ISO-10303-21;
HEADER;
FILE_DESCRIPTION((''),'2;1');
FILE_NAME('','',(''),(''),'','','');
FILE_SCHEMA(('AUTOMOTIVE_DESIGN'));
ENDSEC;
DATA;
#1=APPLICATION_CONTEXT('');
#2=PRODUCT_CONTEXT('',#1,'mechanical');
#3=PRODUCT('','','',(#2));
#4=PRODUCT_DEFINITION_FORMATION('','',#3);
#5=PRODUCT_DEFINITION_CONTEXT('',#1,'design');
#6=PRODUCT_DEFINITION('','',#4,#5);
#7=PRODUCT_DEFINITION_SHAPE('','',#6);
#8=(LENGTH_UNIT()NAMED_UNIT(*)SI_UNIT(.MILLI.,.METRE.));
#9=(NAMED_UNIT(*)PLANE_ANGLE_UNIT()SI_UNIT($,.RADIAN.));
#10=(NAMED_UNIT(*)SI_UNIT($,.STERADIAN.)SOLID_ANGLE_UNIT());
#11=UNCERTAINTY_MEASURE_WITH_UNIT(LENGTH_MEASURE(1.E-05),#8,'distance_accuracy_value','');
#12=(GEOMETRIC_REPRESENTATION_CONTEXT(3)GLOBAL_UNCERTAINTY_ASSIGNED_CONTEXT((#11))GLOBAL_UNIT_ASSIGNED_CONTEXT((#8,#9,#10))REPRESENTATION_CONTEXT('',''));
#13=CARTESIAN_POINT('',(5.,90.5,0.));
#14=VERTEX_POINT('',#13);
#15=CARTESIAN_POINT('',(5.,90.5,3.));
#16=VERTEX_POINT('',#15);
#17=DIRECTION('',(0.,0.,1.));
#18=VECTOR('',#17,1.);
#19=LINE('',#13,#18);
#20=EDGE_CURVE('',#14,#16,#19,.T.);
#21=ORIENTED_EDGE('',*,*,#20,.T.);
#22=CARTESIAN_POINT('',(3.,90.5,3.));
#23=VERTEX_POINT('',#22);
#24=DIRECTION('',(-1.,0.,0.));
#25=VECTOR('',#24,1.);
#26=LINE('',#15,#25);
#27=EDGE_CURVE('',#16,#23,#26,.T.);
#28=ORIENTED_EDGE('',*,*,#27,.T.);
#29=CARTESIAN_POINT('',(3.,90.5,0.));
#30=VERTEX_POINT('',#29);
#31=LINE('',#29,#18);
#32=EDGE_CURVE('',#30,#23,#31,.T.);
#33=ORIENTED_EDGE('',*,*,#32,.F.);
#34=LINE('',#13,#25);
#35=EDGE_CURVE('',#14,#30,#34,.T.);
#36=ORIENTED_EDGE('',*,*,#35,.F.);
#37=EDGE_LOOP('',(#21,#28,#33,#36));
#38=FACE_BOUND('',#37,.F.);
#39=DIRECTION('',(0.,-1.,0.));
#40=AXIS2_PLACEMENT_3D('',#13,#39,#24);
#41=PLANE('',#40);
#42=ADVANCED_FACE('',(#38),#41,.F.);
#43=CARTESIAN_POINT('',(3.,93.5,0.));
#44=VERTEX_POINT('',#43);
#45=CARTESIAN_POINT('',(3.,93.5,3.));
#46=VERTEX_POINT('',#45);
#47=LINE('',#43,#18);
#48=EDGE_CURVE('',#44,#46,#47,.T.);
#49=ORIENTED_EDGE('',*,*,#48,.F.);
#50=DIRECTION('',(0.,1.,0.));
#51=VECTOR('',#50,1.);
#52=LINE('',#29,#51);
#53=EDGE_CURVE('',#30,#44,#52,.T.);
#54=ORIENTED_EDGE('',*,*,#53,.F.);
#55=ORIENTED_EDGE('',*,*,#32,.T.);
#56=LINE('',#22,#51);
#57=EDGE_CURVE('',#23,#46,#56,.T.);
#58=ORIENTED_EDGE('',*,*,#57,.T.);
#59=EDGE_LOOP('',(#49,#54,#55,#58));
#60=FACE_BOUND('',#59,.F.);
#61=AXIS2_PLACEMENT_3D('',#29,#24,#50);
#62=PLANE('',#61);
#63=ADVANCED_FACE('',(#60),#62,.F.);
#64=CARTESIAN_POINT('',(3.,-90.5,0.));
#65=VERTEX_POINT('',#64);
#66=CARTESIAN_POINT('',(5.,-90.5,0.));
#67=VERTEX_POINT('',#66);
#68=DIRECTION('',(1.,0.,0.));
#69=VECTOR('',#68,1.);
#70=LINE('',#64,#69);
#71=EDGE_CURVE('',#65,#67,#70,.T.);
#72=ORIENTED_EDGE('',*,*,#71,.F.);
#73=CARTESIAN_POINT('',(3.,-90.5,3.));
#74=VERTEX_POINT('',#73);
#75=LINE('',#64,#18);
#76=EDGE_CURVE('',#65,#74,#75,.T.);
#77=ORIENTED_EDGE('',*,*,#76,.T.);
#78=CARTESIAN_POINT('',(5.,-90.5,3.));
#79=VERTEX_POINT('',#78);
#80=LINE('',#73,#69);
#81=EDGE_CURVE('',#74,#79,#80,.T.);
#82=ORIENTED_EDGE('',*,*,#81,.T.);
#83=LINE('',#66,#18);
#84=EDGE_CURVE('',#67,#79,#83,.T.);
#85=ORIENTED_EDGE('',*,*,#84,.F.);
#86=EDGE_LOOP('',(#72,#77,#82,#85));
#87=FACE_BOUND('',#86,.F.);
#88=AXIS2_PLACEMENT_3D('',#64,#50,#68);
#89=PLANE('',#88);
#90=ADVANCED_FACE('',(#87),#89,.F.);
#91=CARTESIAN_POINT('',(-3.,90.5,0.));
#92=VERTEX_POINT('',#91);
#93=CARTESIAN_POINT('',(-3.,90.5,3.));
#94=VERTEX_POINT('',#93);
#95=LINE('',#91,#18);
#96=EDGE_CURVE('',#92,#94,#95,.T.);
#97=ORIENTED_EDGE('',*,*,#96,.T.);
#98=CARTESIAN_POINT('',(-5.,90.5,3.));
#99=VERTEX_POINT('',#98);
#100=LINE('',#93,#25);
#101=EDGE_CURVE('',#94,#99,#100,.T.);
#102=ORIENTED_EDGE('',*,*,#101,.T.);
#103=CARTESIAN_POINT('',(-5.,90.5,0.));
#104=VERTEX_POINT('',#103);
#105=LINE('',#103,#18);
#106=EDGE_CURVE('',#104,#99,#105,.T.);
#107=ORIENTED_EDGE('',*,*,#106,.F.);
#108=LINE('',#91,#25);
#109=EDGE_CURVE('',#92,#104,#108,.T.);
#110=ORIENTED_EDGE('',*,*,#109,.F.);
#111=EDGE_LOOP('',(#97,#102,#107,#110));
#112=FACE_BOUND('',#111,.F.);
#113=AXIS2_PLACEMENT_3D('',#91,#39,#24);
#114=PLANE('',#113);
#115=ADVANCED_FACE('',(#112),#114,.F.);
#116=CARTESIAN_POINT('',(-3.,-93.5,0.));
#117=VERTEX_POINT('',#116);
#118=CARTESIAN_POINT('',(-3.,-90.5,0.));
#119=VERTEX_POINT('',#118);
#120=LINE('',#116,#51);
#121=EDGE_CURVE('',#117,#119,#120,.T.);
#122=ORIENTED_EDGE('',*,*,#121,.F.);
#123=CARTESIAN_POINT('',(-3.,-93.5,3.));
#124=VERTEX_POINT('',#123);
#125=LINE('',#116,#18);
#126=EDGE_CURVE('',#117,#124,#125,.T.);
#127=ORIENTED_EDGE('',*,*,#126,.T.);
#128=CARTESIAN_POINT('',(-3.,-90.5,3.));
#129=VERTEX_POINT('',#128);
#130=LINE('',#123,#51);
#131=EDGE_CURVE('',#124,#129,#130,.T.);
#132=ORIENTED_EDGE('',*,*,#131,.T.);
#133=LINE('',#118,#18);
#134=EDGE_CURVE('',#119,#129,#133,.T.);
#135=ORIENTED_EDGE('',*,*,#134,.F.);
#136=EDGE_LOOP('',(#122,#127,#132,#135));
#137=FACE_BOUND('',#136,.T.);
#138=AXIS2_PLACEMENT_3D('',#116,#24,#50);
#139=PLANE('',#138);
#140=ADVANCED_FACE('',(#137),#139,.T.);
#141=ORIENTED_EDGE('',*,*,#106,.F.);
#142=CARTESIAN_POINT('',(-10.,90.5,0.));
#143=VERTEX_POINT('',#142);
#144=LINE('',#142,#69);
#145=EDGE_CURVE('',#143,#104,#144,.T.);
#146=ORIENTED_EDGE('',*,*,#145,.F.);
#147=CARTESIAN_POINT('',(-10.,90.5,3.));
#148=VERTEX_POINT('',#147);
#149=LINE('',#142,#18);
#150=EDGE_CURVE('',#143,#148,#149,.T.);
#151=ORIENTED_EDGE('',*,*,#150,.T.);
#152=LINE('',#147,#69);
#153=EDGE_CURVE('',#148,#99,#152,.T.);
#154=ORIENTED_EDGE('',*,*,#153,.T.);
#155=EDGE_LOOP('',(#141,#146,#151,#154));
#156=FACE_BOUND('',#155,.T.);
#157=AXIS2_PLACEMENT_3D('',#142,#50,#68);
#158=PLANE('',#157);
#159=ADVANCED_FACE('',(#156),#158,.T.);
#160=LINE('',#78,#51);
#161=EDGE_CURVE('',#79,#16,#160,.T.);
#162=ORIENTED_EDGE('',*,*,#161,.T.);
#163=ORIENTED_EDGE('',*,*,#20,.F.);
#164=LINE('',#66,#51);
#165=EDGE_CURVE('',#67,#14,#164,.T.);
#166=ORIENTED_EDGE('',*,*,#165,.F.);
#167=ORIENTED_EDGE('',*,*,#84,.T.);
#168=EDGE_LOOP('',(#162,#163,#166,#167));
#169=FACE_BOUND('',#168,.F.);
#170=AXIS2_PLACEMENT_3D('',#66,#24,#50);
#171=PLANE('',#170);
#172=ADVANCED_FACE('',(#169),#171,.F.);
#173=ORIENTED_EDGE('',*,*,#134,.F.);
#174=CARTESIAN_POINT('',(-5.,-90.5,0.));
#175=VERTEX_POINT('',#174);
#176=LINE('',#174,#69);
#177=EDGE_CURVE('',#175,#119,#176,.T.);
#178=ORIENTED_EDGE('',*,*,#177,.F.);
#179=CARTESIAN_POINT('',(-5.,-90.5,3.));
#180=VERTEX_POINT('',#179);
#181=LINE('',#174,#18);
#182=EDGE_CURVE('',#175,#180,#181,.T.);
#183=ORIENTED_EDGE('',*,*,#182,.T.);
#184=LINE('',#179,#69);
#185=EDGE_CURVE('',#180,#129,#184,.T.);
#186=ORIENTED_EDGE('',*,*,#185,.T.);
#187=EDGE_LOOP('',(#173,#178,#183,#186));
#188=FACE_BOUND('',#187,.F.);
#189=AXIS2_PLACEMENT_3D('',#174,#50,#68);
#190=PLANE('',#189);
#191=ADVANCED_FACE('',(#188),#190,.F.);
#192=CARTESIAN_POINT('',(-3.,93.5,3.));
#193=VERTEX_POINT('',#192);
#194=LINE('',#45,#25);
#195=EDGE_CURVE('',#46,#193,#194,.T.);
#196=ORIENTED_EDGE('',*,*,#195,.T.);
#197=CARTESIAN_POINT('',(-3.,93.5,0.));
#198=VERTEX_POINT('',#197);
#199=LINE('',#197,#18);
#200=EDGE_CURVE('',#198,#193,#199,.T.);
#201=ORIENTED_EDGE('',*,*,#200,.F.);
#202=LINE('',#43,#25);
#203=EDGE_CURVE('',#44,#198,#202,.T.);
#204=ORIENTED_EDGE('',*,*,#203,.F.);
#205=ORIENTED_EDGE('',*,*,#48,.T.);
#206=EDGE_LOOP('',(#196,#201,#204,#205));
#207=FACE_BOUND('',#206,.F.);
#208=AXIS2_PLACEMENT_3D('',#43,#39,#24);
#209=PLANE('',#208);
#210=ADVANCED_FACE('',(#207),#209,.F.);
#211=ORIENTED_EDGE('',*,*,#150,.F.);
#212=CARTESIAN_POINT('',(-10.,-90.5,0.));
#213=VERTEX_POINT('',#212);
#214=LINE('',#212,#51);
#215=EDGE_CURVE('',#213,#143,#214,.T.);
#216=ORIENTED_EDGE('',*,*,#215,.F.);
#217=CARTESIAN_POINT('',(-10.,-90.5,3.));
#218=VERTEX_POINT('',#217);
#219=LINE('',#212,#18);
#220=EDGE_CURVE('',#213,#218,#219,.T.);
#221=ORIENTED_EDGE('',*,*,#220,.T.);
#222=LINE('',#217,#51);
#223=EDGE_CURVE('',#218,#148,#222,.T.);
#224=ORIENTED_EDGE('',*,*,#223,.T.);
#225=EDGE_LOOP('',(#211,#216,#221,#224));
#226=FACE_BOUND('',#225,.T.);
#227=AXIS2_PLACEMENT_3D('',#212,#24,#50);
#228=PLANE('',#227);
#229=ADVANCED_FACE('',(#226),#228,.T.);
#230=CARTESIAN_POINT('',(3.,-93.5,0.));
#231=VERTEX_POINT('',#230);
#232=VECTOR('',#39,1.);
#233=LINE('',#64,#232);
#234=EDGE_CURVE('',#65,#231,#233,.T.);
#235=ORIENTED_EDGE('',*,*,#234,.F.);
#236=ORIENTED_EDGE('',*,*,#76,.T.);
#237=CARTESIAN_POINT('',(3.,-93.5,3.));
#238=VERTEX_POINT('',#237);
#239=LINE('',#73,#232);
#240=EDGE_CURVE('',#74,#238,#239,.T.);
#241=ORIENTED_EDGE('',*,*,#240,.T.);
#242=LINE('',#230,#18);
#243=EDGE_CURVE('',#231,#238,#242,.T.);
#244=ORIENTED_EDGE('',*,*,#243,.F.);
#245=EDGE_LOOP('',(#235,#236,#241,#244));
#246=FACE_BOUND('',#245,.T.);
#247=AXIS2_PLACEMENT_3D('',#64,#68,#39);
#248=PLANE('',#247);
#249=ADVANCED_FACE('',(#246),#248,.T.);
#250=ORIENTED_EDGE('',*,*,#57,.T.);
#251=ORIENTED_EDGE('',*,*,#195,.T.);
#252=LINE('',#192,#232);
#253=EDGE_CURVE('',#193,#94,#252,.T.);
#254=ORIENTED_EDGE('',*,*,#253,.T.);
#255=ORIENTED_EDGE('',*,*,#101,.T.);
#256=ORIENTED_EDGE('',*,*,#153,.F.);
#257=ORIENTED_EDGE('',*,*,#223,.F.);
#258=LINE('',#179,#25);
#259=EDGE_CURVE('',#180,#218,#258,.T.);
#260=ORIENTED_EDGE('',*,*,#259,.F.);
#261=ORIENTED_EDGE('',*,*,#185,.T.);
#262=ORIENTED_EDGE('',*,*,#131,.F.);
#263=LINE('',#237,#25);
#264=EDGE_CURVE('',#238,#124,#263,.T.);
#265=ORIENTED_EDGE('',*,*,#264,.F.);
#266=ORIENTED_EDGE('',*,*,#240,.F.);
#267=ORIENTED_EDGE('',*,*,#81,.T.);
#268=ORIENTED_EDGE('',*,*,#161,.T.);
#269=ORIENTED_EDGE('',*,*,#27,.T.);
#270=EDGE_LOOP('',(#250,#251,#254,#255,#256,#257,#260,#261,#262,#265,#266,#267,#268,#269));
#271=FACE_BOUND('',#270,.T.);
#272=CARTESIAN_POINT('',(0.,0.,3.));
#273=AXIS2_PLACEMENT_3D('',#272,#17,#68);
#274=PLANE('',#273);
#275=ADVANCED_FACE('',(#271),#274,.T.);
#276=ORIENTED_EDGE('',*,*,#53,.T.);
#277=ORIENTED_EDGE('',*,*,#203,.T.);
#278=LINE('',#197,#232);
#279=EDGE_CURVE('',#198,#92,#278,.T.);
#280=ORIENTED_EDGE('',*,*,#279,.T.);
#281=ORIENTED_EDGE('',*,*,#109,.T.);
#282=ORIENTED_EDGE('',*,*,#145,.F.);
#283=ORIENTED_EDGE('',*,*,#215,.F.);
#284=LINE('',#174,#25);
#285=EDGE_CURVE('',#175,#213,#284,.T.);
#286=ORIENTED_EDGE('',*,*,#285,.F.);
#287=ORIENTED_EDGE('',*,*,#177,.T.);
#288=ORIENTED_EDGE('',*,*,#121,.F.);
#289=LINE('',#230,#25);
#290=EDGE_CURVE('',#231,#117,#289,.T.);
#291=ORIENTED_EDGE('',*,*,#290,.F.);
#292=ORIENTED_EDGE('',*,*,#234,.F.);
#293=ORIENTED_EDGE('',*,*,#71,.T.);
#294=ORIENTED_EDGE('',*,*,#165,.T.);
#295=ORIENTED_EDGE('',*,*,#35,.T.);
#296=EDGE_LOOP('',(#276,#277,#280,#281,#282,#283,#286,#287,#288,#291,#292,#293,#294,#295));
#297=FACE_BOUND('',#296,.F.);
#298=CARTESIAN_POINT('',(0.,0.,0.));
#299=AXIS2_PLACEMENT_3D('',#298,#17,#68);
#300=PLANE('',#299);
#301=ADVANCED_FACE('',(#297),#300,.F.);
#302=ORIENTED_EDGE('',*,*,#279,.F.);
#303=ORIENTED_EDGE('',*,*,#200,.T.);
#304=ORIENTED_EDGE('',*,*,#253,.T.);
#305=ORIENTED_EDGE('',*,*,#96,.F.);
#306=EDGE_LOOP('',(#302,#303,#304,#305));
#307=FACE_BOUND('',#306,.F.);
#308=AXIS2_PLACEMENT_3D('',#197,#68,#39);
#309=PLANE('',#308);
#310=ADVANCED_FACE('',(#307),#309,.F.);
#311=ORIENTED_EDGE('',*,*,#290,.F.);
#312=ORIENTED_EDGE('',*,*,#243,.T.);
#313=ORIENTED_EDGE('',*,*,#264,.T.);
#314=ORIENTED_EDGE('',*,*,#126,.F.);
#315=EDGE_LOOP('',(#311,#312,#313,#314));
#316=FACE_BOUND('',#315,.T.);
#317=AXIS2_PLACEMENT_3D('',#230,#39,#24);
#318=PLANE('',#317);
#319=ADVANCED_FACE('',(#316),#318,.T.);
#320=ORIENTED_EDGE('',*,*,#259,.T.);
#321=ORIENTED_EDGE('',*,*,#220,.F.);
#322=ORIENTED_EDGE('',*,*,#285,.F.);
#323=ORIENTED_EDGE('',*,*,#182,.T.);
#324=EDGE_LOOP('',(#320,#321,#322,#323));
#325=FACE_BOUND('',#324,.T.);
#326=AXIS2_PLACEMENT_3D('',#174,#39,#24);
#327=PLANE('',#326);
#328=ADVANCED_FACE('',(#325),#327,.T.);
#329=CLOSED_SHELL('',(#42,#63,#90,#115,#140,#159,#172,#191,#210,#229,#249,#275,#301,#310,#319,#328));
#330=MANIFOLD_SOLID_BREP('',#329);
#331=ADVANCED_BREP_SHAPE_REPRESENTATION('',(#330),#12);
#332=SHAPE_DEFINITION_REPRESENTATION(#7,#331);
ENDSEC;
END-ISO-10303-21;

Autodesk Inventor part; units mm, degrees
ref_plane "YZ Plane" through (0, 0, 0) normal (1, 0, 0) x (0, 1, 0)
ref_plane "XZ Plane" through (0, 0, 0) normal (0, 1, 0) x (-1, 0, 0)
ref_plane "XY Plane" through (0, 0, 0) normal (0, 0, 1) x (1, 0, 0)
sketch "Sketch1" plane through (0, 0, 0) normal (0, 0, 1) x (1, 0, 0)
  line L0 (5, -90.5) -> (5, 90.5)
  line L1 (-5, -90.5) -> (5, 90.5) construction
  line L2 (5, -90.5) -> (-5, 90.5) construction
  line L3 (3, 90.5) -> (3, 93.5)
  line L4 (3, 93.5) -> (-3, 93.5)
  line L5 (-3, 93.5) -> (-3, 90.5)
  line L6 (5, 90.5) -> (3, 90.5)
  line L7 (-3, 90.5) -> (-5, 90.5)
  line L8 (3, -90.5) -> (3, -93.5)
  line L9 (3, -93.5) -> (-3, -93.5)
  line L10 (-3, -93.5) -> (-3, -90.5)
  line L11 (-5, -90.5) -> (-3, -90.5)
  line L12 (3, -90.5) -> (5, -90.5)
  line L13 (-5, -90.5) -> (-10, -90.5)
  line L14 (-10, -90.5) -> (-10, 90.5)
  line L15 (-10, 90.5) -> (-5, 90.5)
  point P0 (0, 0)
  dimension "d0" = 10
  dimension "d1" = 181
  dimension "d2" = 6
  dimension "d3" = 3
  dimension "d5" = 6
  dimension "d6" = 3
  dimension "d8" = 3.162
  dimension "d9" = 3.162
  dimension "d12" = 5
  dimension "d13" = 90
  dimension "d14" = 2
  dimension "d15" = 15
  dimension "d16" = 3
extrude "Extrusion1" add sketch "Sketch1" along normal blind 3
equation "\"BendRadius\" = Thickness"
equation "\"BendReliefWidth\" = Thickness"
equation "\"BendReliefDepth\" = 0.5 * Thickness"
equation "\"CornerReliefSize\" = 4 * Thickness"
equation "\"MinimumRemnant\" = 2 * Thickness"
equation "\"TransitionRadius\" = BendRadius"
equation "\"JacobiRadiusSize\" = BendRadius"
equation "\"GapSize\" = Thickness"
equation "\"Thickness\" = 0.5"
properties part number "3 binnen dunne cover plaat"
